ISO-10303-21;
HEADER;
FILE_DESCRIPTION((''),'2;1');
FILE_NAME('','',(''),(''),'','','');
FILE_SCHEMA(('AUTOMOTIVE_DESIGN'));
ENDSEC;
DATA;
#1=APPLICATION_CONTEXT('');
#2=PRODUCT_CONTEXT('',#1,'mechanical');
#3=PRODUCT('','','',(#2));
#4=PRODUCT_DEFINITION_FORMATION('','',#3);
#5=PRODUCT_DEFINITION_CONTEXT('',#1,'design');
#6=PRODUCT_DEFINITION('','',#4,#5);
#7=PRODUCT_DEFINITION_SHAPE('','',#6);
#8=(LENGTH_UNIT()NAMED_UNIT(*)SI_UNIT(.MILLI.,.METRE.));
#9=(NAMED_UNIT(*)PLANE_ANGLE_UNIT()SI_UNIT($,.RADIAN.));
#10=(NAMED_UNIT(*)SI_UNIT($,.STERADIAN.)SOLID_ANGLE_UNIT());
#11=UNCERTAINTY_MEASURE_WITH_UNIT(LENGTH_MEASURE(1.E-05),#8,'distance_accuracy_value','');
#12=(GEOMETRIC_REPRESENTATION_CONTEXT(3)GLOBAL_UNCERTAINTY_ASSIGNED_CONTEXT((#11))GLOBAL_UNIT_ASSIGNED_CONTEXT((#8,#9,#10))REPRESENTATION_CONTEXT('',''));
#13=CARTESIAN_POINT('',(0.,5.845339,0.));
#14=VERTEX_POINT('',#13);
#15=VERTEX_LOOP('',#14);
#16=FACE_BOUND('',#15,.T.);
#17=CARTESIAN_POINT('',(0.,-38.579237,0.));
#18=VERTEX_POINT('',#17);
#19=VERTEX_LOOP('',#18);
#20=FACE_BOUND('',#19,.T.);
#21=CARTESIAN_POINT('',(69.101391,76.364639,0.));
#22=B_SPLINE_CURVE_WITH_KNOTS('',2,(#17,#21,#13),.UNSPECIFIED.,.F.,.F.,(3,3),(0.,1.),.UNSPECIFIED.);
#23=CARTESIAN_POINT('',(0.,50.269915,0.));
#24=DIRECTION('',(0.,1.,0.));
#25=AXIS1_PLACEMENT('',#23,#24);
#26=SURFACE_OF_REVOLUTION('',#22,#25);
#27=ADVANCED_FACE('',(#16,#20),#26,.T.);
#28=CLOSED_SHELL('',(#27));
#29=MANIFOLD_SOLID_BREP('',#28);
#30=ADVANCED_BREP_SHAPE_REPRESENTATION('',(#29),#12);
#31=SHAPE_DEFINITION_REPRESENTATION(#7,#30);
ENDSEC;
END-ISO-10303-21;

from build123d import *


with BuildPart() as part:
    # Sketch1 → Revolve1 (revolve)
    with BuildSketch(Plane.XY):
        with BuildLine():
            Line((0, -38.579237292), (0, 5.845338984))
            add(Edge.make_bspline(
                [(0, 5.845338984), (69.101390863, 76.364638869), (0, -38.579237292)],
                knots=[0, 0, 0, 1, 1, 1], degree=2))
        make_face()
    revolve(axis=Axis((0, 50.26991526, 0), (0, -1, 0)))


solid = part.part
